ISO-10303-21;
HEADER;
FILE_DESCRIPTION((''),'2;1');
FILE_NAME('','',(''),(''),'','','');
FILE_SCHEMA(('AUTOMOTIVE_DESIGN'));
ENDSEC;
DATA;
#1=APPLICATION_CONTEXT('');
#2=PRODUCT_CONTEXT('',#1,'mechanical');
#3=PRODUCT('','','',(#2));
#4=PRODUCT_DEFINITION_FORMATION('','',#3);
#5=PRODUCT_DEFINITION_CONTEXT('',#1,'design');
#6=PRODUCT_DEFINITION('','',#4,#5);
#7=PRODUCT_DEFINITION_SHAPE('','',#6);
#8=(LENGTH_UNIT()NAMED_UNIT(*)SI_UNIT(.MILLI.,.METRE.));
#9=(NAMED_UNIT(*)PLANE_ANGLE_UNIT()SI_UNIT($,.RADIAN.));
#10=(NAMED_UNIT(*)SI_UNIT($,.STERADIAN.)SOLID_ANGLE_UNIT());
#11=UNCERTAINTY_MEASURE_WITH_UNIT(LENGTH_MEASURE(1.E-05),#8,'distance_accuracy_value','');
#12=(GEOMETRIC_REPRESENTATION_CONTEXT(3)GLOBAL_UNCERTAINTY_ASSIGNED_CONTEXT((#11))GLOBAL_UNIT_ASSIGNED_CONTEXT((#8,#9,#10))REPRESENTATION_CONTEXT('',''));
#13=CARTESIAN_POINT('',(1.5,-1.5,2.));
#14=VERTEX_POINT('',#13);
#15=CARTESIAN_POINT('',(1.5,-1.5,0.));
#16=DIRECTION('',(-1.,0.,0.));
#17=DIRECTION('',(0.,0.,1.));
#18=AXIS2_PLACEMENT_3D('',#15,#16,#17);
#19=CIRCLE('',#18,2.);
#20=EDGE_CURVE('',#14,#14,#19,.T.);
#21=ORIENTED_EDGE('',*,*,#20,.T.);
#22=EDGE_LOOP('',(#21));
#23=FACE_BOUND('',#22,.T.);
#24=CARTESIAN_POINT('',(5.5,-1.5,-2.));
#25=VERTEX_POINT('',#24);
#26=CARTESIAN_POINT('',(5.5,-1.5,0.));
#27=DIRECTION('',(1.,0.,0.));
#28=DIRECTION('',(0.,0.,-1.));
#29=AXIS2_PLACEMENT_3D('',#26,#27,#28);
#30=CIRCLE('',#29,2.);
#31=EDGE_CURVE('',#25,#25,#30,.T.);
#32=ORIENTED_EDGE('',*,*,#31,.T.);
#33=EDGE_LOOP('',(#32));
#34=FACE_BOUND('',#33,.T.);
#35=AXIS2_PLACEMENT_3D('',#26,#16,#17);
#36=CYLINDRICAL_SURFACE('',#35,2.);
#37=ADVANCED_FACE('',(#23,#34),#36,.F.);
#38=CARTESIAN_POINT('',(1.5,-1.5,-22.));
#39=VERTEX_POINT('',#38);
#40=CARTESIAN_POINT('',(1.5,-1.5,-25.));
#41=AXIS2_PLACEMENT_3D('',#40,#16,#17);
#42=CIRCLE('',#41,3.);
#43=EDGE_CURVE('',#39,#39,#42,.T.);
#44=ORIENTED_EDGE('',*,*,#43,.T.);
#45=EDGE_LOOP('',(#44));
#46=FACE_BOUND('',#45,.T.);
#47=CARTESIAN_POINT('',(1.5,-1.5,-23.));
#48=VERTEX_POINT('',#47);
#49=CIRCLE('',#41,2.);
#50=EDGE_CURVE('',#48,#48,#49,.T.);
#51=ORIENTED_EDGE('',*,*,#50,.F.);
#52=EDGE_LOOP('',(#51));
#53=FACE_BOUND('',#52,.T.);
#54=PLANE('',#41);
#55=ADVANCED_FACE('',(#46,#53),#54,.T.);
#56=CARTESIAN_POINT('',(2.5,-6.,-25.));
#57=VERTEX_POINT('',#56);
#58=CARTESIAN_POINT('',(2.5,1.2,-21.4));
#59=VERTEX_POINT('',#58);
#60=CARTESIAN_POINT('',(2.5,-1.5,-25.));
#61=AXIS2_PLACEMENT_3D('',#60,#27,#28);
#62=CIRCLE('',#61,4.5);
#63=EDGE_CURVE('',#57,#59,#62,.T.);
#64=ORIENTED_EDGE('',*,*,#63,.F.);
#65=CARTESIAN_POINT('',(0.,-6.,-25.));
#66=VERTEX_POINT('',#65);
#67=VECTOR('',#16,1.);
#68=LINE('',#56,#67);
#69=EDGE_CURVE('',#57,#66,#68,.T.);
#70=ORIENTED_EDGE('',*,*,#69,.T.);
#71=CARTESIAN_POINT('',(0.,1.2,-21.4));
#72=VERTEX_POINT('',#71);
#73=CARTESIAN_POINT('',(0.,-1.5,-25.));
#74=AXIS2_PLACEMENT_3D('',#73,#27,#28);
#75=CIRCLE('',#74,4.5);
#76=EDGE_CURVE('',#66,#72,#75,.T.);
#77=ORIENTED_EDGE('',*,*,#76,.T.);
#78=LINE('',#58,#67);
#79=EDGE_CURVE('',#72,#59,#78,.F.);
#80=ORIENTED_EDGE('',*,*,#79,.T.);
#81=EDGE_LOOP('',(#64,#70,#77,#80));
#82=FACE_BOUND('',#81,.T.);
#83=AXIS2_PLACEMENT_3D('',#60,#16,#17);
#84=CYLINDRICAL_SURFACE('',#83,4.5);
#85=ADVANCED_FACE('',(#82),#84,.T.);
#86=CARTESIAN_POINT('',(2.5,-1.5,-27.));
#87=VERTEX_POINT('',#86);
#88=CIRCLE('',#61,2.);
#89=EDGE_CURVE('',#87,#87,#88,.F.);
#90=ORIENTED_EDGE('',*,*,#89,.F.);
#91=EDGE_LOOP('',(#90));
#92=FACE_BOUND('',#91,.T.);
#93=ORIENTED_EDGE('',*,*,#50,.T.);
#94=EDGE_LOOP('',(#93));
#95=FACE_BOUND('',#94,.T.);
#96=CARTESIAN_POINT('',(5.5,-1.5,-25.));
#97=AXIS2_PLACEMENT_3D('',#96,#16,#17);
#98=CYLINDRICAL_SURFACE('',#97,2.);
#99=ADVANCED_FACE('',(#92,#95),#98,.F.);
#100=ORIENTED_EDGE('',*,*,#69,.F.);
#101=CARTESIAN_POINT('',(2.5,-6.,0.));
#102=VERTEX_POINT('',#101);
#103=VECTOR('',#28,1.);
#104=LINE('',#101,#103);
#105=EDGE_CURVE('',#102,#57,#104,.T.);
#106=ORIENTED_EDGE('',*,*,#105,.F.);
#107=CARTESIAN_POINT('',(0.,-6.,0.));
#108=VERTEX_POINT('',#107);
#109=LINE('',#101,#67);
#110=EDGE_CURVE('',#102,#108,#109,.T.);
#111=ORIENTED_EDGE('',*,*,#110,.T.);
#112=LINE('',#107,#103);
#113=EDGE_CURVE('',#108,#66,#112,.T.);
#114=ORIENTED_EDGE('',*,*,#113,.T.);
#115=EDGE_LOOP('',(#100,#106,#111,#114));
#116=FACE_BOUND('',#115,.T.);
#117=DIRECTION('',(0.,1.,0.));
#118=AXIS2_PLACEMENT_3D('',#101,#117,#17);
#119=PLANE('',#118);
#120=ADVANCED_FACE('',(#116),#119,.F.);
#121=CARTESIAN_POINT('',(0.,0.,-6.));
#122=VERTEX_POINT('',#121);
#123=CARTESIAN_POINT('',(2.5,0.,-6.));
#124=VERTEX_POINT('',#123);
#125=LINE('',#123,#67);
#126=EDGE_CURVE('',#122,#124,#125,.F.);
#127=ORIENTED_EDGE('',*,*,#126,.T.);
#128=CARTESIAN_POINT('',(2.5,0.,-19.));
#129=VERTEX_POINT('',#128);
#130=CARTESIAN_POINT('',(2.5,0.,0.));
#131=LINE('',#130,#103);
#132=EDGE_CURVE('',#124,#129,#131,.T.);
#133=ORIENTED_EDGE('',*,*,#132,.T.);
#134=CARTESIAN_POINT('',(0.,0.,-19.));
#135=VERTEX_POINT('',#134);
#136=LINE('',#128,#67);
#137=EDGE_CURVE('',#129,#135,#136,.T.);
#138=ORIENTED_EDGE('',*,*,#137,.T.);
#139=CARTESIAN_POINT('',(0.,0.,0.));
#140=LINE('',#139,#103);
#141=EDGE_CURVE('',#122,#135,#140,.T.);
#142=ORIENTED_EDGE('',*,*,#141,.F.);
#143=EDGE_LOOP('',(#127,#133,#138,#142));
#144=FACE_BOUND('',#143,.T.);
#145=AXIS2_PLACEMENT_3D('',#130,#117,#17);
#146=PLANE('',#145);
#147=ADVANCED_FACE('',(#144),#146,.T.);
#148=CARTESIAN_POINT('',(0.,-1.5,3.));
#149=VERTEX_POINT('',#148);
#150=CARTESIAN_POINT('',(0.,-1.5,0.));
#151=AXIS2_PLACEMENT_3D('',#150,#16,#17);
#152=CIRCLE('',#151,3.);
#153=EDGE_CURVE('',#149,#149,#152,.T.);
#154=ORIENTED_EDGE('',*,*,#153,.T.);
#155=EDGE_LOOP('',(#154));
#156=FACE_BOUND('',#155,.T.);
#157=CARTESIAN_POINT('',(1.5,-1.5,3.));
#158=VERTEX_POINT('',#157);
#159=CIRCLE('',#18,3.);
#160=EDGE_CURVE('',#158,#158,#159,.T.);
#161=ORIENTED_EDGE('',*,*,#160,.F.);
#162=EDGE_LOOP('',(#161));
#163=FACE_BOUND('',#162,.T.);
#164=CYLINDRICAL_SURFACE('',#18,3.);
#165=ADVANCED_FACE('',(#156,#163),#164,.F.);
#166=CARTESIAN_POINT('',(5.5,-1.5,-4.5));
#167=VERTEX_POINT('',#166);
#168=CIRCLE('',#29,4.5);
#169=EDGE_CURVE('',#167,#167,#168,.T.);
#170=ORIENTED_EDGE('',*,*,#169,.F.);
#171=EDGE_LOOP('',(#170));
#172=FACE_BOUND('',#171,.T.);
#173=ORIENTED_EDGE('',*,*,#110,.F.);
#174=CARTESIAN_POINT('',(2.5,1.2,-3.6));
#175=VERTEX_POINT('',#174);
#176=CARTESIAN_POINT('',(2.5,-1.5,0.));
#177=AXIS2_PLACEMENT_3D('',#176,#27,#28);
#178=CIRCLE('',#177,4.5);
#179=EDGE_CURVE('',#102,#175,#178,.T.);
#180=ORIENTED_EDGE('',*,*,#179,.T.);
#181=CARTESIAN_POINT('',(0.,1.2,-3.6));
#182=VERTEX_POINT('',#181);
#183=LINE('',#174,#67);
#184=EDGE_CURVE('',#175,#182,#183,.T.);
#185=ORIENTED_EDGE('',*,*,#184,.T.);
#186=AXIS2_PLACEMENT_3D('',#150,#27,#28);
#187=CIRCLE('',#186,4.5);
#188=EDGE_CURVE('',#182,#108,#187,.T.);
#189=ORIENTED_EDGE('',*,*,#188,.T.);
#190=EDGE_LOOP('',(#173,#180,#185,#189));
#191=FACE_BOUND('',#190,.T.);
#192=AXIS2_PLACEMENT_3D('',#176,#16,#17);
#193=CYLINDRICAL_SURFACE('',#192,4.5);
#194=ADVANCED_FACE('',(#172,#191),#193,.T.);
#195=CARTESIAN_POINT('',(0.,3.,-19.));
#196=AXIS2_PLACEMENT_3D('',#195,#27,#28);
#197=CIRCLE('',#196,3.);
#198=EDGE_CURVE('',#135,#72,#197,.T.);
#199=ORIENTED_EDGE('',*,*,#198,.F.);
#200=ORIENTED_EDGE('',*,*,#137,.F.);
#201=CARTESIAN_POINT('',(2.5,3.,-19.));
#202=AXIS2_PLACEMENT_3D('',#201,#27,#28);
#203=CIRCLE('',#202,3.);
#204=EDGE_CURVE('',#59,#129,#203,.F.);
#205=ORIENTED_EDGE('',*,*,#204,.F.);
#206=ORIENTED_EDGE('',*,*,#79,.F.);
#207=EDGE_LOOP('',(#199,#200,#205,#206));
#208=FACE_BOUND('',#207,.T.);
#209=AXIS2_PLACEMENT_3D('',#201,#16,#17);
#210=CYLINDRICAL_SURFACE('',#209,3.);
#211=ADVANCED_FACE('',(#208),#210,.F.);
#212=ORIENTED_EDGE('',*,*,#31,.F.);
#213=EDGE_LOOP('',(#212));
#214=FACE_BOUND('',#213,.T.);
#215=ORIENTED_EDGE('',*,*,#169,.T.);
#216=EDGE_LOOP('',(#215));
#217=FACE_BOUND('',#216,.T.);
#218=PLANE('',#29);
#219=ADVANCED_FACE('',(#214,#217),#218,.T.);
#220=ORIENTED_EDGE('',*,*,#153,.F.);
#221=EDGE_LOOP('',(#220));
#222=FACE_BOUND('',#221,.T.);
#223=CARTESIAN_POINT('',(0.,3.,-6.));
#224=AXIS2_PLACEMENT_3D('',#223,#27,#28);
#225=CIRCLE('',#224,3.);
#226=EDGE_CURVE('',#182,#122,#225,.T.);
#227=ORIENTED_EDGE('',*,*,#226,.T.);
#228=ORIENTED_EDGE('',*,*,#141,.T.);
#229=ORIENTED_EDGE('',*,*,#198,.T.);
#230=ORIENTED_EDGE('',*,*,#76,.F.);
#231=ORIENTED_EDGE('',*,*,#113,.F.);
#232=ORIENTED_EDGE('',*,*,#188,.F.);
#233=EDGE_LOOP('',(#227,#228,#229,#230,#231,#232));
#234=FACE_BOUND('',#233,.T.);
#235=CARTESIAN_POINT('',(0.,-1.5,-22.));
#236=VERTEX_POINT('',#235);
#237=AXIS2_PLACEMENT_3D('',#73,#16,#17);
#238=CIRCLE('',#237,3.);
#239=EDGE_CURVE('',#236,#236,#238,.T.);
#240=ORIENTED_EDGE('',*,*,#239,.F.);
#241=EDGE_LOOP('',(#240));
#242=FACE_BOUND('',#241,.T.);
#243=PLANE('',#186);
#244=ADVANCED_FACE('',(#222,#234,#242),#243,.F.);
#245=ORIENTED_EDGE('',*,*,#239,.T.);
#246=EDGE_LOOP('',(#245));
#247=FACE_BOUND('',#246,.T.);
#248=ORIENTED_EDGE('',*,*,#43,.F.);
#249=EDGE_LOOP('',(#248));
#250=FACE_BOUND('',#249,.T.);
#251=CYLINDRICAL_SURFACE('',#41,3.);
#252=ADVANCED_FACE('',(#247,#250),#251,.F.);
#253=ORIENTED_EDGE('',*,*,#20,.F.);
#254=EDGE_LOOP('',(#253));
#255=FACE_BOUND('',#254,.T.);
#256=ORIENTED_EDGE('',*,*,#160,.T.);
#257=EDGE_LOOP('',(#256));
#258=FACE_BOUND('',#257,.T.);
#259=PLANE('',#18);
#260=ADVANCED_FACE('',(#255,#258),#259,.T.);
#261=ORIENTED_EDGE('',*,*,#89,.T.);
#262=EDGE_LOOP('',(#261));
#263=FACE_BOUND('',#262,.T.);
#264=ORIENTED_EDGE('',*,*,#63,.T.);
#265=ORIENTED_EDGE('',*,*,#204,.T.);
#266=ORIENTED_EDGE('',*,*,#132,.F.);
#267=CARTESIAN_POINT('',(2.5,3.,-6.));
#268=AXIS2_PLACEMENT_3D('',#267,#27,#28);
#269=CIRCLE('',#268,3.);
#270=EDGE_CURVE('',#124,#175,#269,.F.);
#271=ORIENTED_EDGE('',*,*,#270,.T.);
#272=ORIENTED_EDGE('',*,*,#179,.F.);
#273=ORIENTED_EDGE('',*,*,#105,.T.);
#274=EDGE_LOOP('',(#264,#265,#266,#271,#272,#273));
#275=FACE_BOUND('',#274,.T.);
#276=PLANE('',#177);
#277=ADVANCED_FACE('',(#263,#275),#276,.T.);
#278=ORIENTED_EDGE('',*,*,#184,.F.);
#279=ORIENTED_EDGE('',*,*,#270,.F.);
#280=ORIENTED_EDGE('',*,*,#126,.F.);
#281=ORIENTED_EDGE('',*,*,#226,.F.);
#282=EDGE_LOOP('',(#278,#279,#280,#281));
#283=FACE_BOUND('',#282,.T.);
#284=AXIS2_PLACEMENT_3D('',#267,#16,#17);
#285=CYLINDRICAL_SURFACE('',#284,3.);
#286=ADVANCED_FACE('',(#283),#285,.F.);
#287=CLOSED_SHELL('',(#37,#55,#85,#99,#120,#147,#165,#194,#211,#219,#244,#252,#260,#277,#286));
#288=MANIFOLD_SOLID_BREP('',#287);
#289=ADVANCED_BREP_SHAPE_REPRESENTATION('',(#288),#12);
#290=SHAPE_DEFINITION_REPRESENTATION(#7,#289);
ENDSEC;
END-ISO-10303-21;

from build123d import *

# Parameters (mm, degrees)
SKETCH_1_R               = 4.5
SKETCH_1_W               = 25
SKETCH_1_H               = 6
EXTRUDE_1_DEPTH          = 2.5
EXTRUDE_START            = 2.5
SKETCH_1_5_R             = 4.5
EXTRUDE_3_DEPTH          = 3
CUT_EXTRUDE_2_DEPTH      = 31.602287496
CUT_EXTRUDE_2_DEPTH_BACK = 31.602287496
SKETCH_1_4_R             = 2
FILLET_1_R               = 3
SKETCH_2_R               = 3
CUT_EXTRUDE_3_DEPTH      = 1.5


with BuildPart() as part:
    # 草图1 → 凸台-拉伸1 (new body)
    with BuildSketch(Plane(origin=(0, 0, 0), x_dir=(0, 0, -1), z_dir=(1, 0, 0))):
        with Locations((0, -1.5)):
            Circle(SKETCH_1_R)
        with Locations((25, -1.5)):
            Circle(SKETCH_1_R)
        with Locations((12.5, -3)):
            Rectangle(SKETCH_1_W, SKETCH_1_H)
    extrude(amount=EXTRUDE_1_DEPTH)

    # 草图1<5> → 凸台-拉伸3 (add)
    with BuildSketch(Plane(origin=(0, 0, 0), x_dir=(0, 0, -1), z_dir=(1, 0, 0)).offset(EXTRUDE_START)):
        with Locations(Location((0, -1.5, 0), (0, 0, 270))):
            Circle(SKETCH_1_5_R)
    extrude(amount=EXTRUDE_3_DEPTH)

    # 草图1<4> → 切除-拉伸2 (cut, two sides: drawn at the far end of the back side and taken through both)
    with BuildSketch(Plane(origin=(0, 0, 0), x_dir=(0, 0, -1), z_dir=(1, 0, 0)).offset(-CUT_EXTRUDE_2_DEPTH_BACK)):
        with Locations((0, -1.5)):
            Circle(SKETCH_1_4_R)
        with Locations((25, -1.5)):
            Circle(SKETCH_1_4_R)
    extrude(amount=CUT_EXTRUDE_2_DEPTH + CUT_EXTRUDE_2_DEPTH_BACK, mode=Mode.SUBTRACT)

    # 圆角1
    fillet_1_edges = [part.edges().sort_by_distance(p)[0] for p in [
        (1.25, 0, -20.757359313),
        (1.25, 0, -4.242640687),
    ]]
    fillet(fillet_1_edges, radius=FILLET_1_R)

    # 草图2 → 切除-拉伸3 (cut)
    with BuildSketch(Plane.ZY):
        with Locations((-25, -1.5)):
            Circle(SKETCH_2_R)
        with Locations((0, -1.5)):
            Circle(SKETCH_2_R)
    extrude(amount=-CUT_EXTRUDE_3_DEPTH, mode=Mode.SUBTRACT)


solid = part.part
